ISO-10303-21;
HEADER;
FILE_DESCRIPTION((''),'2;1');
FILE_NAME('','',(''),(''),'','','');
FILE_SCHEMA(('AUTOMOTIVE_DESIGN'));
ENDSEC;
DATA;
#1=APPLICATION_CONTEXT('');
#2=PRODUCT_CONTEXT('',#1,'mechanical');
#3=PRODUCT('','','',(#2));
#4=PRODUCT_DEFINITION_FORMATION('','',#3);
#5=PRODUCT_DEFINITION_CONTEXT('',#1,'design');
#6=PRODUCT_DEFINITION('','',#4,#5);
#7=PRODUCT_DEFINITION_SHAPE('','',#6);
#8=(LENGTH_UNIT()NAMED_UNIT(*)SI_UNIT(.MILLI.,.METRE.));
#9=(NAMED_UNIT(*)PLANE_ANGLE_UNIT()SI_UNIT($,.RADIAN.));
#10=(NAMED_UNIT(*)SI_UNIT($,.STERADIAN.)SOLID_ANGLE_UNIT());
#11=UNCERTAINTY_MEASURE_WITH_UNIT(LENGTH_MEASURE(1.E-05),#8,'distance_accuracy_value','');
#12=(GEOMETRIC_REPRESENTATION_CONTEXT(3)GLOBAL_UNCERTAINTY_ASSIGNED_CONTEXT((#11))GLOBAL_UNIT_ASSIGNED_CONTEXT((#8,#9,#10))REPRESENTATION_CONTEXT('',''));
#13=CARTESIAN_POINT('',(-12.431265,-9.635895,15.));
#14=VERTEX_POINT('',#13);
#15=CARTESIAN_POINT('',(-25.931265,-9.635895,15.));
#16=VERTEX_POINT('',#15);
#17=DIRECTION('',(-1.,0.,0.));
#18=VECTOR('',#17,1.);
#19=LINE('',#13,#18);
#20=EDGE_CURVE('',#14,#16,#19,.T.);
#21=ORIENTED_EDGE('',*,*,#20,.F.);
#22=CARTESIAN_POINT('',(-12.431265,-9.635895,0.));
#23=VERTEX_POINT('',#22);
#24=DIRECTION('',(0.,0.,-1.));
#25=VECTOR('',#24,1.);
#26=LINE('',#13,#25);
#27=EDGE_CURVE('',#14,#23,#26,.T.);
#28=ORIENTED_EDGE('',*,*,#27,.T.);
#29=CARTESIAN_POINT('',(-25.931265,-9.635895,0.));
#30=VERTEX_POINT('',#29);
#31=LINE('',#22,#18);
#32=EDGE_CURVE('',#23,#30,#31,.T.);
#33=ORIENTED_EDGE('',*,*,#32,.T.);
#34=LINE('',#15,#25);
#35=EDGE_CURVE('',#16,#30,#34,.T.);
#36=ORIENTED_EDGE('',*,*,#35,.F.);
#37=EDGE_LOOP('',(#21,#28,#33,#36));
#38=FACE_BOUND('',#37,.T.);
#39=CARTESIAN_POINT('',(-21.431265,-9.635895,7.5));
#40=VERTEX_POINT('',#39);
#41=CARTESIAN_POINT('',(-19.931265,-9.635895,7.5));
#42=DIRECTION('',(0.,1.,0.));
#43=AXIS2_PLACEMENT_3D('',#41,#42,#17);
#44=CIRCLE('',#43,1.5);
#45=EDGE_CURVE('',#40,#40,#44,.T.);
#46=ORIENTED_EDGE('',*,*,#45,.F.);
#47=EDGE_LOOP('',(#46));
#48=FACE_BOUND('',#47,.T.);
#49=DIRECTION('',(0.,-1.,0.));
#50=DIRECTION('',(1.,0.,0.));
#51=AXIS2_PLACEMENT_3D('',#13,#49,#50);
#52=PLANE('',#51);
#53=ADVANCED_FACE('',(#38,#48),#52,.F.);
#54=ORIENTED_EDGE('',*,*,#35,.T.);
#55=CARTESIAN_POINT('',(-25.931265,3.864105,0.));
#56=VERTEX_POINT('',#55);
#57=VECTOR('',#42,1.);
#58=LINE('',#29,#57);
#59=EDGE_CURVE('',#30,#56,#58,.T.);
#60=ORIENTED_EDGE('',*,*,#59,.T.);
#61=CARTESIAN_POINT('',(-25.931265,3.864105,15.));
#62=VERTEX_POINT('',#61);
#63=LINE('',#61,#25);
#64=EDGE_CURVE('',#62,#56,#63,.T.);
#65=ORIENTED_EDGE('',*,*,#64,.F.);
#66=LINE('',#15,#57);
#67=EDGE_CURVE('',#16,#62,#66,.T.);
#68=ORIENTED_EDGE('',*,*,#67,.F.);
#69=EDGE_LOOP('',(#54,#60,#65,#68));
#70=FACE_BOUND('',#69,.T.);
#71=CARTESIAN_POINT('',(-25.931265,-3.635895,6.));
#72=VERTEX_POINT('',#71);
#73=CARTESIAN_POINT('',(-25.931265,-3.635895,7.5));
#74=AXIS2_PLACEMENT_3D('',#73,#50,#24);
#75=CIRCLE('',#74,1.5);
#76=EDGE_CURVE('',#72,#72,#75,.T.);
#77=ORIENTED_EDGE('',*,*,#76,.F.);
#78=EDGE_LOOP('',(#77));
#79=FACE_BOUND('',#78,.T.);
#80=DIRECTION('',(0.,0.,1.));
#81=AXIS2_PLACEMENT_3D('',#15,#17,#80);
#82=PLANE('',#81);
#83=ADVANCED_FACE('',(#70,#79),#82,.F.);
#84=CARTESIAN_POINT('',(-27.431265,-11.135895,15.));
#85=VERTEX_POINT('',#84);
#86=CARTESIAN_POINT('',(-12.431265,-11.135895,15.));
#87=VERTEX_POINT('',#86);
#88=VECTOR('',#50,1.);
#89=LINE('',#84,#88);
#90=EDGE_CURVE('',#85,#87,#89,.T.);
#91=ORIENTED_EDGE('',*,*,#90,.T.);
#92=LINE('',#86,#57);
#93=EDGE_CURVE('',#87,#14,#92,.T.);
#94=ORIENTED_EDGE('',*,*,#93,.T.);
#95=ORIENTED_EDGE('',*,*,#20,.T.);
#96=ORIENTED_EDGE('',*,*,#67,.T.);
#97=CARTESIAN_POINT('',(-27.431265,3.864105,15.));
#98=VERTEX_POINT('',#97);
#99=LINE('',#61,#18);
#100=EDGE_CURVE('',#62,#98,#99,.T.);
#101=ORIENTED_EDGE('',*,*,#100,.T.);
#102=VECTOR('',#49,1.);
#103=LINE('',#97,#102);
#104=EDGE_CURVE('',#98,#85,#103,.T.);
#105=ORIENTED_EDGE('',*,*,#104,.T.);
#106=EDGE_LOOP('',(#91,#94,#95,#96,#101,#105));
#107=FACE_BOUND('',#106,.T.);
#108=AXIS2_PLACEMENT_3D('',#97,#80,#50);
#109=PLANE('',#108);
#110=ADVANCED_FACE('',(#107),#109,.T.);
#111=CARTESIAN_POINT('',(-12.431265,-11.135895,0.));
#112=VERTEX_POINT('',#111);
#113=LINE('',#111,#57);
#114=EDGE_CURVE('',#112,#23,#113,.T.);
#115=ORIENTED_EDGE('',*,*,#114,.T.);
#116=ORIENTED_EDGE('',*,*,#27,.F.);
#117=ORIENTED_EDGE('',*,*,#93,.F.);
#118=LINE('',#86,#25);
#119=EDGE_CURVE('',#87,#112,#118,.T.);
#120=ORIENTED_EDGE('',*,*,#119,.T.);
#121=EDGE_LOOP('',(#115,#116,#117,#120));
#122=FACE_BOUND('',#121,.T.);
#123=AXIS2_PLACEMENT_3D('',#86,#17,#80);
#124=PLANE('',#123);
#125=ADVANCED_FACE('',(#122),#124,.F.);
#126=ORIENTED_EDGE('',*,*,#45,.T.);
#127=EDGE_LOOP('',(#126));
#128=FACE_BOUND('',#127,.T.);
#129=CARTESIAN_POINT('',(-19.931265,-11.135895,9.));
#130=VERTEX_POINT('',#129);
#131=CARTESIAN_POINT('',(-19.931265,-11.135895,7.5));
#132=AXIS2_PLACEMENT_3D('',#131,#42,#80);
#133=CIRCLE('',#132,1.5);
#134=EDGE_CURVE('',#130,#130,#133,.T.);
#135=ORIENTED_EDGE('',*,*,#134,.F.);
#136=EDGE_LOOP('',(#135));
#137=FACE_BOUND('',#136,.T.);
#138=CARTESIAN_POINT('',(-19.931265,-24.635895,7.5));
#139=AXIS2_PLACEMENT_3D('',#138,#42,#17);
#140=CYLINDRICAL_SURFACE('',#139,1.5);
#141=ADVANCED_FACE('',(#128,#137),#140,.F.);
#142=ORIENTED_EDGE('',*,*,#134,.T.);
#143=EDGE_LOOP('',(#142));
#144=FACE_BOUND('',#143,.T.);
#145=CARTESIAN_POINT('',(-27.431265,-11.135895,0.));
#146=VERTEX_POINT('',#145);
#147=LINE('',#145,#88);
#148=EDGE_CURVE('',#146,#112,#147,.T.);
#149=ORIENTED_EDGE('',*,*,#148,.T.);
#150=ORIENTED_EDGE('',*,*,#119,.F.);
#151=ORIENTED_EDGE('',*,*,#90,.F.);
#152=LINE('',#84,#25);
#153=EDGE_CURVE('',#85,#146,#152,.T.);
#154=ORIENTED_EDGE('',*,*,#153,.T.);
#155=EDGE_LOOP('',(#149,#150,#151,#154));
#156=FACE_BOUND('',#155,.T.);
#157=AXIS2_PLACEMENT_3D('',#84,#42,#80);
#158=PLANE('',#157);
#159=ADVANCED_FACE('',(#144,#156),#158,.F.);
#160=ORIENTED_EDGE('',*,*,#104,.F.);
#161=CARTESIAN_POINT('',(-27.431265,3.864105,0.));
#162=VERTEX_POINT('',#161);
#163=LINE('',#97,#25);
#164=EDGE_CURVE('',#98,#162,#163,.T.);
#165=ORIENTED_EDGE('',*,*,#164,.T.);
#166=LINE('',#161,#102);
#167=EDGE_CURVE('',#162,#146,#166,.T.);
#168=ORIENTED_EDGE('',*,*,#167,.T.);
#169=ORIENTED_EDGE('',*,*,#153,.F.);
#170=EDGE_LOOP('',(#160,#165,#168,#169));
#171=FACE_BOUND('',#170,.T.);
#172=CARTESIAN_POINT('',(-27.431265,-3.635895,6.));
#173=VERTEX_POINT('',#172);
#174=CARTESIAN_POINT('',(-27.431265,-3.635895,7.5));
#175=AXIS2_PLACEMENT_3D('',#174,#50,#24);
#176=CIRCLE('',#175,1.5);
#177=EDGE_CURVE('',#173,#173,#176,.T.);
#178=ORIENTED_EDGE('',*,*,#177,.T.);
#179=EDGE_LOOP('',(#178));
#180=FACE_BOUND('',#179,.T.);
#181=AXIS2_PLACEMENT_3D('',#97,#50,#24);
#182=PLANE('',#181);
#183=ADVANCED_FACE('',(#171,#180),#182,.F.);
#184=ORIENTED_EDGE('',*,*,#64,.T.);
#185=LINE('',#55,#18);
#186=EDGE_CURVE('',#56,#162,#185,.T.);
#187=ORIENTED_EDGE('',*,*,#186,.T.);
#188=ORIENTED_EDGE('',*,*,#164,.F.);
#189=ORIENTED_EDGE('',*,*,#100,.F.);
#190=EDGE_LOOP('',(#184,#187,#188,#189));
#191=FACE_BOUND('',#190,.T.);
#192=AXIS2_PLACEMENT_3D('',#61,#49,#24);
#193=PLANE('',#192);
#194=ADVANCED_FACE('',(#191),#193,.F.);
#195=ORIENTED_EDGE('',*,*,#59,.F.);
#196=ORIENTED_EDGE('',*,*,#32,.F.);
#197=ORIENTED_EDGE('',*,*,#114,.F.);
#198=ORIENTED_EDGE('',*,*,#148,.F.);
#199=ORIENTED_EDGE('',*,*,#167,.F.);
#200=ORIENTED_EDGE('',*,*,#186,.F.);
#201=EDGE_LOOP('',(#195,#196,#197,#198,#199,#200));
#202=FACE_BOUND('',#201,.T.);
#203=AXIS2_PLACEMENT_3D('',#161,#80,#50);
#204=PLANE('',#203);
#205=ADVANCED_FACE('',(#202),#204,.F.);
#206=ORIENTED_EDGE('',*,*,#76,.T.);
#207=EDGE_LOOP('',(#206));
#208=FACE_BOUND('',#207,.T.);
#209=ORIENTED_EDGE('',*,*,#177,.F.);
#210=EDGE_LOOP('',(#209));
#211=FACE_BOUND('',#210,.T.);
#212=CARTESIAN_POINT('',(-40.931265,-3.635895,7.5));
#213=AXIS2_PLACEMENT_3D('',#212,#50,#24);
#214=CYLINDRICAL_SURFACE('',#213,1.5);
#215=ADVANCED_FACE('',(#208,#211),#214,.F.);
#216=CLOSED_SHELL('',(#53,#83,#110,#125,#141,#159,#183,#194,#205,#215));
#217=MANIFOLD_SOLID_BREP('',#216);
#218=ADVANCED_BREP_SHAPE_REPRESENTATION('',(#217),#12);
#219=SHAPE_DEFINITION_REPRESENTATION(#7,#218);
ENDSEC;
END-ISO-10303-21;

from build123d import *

# Parameters (mm, degrees)
EXTRUSION1_DEPTH = 15
ESQUISSE2_R      = 1.5
EXTRUSION2_DEPTH = 15
ESQUISSE3_R      = 1.5
EXTRUSION3_DEPTH = 15


with BuildPart() as part:
    # Esquisse1 → Extrusion1 (new body)
    with BuildSketch(Plane.XY):
        Polygon((-27.431265327, 3.864105263), (-27.431265327, -11.135894737), (-12.431265327, -11.135894737), (-12.431265327, -9.635894737), (-25.931265327, -9.635894737), (-25.931265327, 3.864105263), align=None)
    extrude(amount=EXTRUSION1_DEPTH)

    # Esquisse2 → Extrusion2 (cut)
    with BuildSketch(Plane(origin=(-25.931265327, 0, 0), x_dir=(0, 0, -1), z_dir=(1, 0, 0))):
        with Locations((-7.5, -3.635894737)):
            Circle(ESQUISSE2_R)
    extrude(amount=-EXTRUSION2_DEPTH, mode=Mode.SUBTRACT)

    # Esquisse3 → Extrusion3 (cut)
    with BuildSketch(Plane(origin=(0, -9.635894737, 0), x_dir=(-1, 0, 0), z_dir=(0, 1, 0))):
        with Locations((19.931265327, 7.5)):
            Circle(ESQUISSE3_R)
    extrude(amount=-EXTRUSION3_DEPTH, mode=Mode.SUBTRACT)


solid = part.part
